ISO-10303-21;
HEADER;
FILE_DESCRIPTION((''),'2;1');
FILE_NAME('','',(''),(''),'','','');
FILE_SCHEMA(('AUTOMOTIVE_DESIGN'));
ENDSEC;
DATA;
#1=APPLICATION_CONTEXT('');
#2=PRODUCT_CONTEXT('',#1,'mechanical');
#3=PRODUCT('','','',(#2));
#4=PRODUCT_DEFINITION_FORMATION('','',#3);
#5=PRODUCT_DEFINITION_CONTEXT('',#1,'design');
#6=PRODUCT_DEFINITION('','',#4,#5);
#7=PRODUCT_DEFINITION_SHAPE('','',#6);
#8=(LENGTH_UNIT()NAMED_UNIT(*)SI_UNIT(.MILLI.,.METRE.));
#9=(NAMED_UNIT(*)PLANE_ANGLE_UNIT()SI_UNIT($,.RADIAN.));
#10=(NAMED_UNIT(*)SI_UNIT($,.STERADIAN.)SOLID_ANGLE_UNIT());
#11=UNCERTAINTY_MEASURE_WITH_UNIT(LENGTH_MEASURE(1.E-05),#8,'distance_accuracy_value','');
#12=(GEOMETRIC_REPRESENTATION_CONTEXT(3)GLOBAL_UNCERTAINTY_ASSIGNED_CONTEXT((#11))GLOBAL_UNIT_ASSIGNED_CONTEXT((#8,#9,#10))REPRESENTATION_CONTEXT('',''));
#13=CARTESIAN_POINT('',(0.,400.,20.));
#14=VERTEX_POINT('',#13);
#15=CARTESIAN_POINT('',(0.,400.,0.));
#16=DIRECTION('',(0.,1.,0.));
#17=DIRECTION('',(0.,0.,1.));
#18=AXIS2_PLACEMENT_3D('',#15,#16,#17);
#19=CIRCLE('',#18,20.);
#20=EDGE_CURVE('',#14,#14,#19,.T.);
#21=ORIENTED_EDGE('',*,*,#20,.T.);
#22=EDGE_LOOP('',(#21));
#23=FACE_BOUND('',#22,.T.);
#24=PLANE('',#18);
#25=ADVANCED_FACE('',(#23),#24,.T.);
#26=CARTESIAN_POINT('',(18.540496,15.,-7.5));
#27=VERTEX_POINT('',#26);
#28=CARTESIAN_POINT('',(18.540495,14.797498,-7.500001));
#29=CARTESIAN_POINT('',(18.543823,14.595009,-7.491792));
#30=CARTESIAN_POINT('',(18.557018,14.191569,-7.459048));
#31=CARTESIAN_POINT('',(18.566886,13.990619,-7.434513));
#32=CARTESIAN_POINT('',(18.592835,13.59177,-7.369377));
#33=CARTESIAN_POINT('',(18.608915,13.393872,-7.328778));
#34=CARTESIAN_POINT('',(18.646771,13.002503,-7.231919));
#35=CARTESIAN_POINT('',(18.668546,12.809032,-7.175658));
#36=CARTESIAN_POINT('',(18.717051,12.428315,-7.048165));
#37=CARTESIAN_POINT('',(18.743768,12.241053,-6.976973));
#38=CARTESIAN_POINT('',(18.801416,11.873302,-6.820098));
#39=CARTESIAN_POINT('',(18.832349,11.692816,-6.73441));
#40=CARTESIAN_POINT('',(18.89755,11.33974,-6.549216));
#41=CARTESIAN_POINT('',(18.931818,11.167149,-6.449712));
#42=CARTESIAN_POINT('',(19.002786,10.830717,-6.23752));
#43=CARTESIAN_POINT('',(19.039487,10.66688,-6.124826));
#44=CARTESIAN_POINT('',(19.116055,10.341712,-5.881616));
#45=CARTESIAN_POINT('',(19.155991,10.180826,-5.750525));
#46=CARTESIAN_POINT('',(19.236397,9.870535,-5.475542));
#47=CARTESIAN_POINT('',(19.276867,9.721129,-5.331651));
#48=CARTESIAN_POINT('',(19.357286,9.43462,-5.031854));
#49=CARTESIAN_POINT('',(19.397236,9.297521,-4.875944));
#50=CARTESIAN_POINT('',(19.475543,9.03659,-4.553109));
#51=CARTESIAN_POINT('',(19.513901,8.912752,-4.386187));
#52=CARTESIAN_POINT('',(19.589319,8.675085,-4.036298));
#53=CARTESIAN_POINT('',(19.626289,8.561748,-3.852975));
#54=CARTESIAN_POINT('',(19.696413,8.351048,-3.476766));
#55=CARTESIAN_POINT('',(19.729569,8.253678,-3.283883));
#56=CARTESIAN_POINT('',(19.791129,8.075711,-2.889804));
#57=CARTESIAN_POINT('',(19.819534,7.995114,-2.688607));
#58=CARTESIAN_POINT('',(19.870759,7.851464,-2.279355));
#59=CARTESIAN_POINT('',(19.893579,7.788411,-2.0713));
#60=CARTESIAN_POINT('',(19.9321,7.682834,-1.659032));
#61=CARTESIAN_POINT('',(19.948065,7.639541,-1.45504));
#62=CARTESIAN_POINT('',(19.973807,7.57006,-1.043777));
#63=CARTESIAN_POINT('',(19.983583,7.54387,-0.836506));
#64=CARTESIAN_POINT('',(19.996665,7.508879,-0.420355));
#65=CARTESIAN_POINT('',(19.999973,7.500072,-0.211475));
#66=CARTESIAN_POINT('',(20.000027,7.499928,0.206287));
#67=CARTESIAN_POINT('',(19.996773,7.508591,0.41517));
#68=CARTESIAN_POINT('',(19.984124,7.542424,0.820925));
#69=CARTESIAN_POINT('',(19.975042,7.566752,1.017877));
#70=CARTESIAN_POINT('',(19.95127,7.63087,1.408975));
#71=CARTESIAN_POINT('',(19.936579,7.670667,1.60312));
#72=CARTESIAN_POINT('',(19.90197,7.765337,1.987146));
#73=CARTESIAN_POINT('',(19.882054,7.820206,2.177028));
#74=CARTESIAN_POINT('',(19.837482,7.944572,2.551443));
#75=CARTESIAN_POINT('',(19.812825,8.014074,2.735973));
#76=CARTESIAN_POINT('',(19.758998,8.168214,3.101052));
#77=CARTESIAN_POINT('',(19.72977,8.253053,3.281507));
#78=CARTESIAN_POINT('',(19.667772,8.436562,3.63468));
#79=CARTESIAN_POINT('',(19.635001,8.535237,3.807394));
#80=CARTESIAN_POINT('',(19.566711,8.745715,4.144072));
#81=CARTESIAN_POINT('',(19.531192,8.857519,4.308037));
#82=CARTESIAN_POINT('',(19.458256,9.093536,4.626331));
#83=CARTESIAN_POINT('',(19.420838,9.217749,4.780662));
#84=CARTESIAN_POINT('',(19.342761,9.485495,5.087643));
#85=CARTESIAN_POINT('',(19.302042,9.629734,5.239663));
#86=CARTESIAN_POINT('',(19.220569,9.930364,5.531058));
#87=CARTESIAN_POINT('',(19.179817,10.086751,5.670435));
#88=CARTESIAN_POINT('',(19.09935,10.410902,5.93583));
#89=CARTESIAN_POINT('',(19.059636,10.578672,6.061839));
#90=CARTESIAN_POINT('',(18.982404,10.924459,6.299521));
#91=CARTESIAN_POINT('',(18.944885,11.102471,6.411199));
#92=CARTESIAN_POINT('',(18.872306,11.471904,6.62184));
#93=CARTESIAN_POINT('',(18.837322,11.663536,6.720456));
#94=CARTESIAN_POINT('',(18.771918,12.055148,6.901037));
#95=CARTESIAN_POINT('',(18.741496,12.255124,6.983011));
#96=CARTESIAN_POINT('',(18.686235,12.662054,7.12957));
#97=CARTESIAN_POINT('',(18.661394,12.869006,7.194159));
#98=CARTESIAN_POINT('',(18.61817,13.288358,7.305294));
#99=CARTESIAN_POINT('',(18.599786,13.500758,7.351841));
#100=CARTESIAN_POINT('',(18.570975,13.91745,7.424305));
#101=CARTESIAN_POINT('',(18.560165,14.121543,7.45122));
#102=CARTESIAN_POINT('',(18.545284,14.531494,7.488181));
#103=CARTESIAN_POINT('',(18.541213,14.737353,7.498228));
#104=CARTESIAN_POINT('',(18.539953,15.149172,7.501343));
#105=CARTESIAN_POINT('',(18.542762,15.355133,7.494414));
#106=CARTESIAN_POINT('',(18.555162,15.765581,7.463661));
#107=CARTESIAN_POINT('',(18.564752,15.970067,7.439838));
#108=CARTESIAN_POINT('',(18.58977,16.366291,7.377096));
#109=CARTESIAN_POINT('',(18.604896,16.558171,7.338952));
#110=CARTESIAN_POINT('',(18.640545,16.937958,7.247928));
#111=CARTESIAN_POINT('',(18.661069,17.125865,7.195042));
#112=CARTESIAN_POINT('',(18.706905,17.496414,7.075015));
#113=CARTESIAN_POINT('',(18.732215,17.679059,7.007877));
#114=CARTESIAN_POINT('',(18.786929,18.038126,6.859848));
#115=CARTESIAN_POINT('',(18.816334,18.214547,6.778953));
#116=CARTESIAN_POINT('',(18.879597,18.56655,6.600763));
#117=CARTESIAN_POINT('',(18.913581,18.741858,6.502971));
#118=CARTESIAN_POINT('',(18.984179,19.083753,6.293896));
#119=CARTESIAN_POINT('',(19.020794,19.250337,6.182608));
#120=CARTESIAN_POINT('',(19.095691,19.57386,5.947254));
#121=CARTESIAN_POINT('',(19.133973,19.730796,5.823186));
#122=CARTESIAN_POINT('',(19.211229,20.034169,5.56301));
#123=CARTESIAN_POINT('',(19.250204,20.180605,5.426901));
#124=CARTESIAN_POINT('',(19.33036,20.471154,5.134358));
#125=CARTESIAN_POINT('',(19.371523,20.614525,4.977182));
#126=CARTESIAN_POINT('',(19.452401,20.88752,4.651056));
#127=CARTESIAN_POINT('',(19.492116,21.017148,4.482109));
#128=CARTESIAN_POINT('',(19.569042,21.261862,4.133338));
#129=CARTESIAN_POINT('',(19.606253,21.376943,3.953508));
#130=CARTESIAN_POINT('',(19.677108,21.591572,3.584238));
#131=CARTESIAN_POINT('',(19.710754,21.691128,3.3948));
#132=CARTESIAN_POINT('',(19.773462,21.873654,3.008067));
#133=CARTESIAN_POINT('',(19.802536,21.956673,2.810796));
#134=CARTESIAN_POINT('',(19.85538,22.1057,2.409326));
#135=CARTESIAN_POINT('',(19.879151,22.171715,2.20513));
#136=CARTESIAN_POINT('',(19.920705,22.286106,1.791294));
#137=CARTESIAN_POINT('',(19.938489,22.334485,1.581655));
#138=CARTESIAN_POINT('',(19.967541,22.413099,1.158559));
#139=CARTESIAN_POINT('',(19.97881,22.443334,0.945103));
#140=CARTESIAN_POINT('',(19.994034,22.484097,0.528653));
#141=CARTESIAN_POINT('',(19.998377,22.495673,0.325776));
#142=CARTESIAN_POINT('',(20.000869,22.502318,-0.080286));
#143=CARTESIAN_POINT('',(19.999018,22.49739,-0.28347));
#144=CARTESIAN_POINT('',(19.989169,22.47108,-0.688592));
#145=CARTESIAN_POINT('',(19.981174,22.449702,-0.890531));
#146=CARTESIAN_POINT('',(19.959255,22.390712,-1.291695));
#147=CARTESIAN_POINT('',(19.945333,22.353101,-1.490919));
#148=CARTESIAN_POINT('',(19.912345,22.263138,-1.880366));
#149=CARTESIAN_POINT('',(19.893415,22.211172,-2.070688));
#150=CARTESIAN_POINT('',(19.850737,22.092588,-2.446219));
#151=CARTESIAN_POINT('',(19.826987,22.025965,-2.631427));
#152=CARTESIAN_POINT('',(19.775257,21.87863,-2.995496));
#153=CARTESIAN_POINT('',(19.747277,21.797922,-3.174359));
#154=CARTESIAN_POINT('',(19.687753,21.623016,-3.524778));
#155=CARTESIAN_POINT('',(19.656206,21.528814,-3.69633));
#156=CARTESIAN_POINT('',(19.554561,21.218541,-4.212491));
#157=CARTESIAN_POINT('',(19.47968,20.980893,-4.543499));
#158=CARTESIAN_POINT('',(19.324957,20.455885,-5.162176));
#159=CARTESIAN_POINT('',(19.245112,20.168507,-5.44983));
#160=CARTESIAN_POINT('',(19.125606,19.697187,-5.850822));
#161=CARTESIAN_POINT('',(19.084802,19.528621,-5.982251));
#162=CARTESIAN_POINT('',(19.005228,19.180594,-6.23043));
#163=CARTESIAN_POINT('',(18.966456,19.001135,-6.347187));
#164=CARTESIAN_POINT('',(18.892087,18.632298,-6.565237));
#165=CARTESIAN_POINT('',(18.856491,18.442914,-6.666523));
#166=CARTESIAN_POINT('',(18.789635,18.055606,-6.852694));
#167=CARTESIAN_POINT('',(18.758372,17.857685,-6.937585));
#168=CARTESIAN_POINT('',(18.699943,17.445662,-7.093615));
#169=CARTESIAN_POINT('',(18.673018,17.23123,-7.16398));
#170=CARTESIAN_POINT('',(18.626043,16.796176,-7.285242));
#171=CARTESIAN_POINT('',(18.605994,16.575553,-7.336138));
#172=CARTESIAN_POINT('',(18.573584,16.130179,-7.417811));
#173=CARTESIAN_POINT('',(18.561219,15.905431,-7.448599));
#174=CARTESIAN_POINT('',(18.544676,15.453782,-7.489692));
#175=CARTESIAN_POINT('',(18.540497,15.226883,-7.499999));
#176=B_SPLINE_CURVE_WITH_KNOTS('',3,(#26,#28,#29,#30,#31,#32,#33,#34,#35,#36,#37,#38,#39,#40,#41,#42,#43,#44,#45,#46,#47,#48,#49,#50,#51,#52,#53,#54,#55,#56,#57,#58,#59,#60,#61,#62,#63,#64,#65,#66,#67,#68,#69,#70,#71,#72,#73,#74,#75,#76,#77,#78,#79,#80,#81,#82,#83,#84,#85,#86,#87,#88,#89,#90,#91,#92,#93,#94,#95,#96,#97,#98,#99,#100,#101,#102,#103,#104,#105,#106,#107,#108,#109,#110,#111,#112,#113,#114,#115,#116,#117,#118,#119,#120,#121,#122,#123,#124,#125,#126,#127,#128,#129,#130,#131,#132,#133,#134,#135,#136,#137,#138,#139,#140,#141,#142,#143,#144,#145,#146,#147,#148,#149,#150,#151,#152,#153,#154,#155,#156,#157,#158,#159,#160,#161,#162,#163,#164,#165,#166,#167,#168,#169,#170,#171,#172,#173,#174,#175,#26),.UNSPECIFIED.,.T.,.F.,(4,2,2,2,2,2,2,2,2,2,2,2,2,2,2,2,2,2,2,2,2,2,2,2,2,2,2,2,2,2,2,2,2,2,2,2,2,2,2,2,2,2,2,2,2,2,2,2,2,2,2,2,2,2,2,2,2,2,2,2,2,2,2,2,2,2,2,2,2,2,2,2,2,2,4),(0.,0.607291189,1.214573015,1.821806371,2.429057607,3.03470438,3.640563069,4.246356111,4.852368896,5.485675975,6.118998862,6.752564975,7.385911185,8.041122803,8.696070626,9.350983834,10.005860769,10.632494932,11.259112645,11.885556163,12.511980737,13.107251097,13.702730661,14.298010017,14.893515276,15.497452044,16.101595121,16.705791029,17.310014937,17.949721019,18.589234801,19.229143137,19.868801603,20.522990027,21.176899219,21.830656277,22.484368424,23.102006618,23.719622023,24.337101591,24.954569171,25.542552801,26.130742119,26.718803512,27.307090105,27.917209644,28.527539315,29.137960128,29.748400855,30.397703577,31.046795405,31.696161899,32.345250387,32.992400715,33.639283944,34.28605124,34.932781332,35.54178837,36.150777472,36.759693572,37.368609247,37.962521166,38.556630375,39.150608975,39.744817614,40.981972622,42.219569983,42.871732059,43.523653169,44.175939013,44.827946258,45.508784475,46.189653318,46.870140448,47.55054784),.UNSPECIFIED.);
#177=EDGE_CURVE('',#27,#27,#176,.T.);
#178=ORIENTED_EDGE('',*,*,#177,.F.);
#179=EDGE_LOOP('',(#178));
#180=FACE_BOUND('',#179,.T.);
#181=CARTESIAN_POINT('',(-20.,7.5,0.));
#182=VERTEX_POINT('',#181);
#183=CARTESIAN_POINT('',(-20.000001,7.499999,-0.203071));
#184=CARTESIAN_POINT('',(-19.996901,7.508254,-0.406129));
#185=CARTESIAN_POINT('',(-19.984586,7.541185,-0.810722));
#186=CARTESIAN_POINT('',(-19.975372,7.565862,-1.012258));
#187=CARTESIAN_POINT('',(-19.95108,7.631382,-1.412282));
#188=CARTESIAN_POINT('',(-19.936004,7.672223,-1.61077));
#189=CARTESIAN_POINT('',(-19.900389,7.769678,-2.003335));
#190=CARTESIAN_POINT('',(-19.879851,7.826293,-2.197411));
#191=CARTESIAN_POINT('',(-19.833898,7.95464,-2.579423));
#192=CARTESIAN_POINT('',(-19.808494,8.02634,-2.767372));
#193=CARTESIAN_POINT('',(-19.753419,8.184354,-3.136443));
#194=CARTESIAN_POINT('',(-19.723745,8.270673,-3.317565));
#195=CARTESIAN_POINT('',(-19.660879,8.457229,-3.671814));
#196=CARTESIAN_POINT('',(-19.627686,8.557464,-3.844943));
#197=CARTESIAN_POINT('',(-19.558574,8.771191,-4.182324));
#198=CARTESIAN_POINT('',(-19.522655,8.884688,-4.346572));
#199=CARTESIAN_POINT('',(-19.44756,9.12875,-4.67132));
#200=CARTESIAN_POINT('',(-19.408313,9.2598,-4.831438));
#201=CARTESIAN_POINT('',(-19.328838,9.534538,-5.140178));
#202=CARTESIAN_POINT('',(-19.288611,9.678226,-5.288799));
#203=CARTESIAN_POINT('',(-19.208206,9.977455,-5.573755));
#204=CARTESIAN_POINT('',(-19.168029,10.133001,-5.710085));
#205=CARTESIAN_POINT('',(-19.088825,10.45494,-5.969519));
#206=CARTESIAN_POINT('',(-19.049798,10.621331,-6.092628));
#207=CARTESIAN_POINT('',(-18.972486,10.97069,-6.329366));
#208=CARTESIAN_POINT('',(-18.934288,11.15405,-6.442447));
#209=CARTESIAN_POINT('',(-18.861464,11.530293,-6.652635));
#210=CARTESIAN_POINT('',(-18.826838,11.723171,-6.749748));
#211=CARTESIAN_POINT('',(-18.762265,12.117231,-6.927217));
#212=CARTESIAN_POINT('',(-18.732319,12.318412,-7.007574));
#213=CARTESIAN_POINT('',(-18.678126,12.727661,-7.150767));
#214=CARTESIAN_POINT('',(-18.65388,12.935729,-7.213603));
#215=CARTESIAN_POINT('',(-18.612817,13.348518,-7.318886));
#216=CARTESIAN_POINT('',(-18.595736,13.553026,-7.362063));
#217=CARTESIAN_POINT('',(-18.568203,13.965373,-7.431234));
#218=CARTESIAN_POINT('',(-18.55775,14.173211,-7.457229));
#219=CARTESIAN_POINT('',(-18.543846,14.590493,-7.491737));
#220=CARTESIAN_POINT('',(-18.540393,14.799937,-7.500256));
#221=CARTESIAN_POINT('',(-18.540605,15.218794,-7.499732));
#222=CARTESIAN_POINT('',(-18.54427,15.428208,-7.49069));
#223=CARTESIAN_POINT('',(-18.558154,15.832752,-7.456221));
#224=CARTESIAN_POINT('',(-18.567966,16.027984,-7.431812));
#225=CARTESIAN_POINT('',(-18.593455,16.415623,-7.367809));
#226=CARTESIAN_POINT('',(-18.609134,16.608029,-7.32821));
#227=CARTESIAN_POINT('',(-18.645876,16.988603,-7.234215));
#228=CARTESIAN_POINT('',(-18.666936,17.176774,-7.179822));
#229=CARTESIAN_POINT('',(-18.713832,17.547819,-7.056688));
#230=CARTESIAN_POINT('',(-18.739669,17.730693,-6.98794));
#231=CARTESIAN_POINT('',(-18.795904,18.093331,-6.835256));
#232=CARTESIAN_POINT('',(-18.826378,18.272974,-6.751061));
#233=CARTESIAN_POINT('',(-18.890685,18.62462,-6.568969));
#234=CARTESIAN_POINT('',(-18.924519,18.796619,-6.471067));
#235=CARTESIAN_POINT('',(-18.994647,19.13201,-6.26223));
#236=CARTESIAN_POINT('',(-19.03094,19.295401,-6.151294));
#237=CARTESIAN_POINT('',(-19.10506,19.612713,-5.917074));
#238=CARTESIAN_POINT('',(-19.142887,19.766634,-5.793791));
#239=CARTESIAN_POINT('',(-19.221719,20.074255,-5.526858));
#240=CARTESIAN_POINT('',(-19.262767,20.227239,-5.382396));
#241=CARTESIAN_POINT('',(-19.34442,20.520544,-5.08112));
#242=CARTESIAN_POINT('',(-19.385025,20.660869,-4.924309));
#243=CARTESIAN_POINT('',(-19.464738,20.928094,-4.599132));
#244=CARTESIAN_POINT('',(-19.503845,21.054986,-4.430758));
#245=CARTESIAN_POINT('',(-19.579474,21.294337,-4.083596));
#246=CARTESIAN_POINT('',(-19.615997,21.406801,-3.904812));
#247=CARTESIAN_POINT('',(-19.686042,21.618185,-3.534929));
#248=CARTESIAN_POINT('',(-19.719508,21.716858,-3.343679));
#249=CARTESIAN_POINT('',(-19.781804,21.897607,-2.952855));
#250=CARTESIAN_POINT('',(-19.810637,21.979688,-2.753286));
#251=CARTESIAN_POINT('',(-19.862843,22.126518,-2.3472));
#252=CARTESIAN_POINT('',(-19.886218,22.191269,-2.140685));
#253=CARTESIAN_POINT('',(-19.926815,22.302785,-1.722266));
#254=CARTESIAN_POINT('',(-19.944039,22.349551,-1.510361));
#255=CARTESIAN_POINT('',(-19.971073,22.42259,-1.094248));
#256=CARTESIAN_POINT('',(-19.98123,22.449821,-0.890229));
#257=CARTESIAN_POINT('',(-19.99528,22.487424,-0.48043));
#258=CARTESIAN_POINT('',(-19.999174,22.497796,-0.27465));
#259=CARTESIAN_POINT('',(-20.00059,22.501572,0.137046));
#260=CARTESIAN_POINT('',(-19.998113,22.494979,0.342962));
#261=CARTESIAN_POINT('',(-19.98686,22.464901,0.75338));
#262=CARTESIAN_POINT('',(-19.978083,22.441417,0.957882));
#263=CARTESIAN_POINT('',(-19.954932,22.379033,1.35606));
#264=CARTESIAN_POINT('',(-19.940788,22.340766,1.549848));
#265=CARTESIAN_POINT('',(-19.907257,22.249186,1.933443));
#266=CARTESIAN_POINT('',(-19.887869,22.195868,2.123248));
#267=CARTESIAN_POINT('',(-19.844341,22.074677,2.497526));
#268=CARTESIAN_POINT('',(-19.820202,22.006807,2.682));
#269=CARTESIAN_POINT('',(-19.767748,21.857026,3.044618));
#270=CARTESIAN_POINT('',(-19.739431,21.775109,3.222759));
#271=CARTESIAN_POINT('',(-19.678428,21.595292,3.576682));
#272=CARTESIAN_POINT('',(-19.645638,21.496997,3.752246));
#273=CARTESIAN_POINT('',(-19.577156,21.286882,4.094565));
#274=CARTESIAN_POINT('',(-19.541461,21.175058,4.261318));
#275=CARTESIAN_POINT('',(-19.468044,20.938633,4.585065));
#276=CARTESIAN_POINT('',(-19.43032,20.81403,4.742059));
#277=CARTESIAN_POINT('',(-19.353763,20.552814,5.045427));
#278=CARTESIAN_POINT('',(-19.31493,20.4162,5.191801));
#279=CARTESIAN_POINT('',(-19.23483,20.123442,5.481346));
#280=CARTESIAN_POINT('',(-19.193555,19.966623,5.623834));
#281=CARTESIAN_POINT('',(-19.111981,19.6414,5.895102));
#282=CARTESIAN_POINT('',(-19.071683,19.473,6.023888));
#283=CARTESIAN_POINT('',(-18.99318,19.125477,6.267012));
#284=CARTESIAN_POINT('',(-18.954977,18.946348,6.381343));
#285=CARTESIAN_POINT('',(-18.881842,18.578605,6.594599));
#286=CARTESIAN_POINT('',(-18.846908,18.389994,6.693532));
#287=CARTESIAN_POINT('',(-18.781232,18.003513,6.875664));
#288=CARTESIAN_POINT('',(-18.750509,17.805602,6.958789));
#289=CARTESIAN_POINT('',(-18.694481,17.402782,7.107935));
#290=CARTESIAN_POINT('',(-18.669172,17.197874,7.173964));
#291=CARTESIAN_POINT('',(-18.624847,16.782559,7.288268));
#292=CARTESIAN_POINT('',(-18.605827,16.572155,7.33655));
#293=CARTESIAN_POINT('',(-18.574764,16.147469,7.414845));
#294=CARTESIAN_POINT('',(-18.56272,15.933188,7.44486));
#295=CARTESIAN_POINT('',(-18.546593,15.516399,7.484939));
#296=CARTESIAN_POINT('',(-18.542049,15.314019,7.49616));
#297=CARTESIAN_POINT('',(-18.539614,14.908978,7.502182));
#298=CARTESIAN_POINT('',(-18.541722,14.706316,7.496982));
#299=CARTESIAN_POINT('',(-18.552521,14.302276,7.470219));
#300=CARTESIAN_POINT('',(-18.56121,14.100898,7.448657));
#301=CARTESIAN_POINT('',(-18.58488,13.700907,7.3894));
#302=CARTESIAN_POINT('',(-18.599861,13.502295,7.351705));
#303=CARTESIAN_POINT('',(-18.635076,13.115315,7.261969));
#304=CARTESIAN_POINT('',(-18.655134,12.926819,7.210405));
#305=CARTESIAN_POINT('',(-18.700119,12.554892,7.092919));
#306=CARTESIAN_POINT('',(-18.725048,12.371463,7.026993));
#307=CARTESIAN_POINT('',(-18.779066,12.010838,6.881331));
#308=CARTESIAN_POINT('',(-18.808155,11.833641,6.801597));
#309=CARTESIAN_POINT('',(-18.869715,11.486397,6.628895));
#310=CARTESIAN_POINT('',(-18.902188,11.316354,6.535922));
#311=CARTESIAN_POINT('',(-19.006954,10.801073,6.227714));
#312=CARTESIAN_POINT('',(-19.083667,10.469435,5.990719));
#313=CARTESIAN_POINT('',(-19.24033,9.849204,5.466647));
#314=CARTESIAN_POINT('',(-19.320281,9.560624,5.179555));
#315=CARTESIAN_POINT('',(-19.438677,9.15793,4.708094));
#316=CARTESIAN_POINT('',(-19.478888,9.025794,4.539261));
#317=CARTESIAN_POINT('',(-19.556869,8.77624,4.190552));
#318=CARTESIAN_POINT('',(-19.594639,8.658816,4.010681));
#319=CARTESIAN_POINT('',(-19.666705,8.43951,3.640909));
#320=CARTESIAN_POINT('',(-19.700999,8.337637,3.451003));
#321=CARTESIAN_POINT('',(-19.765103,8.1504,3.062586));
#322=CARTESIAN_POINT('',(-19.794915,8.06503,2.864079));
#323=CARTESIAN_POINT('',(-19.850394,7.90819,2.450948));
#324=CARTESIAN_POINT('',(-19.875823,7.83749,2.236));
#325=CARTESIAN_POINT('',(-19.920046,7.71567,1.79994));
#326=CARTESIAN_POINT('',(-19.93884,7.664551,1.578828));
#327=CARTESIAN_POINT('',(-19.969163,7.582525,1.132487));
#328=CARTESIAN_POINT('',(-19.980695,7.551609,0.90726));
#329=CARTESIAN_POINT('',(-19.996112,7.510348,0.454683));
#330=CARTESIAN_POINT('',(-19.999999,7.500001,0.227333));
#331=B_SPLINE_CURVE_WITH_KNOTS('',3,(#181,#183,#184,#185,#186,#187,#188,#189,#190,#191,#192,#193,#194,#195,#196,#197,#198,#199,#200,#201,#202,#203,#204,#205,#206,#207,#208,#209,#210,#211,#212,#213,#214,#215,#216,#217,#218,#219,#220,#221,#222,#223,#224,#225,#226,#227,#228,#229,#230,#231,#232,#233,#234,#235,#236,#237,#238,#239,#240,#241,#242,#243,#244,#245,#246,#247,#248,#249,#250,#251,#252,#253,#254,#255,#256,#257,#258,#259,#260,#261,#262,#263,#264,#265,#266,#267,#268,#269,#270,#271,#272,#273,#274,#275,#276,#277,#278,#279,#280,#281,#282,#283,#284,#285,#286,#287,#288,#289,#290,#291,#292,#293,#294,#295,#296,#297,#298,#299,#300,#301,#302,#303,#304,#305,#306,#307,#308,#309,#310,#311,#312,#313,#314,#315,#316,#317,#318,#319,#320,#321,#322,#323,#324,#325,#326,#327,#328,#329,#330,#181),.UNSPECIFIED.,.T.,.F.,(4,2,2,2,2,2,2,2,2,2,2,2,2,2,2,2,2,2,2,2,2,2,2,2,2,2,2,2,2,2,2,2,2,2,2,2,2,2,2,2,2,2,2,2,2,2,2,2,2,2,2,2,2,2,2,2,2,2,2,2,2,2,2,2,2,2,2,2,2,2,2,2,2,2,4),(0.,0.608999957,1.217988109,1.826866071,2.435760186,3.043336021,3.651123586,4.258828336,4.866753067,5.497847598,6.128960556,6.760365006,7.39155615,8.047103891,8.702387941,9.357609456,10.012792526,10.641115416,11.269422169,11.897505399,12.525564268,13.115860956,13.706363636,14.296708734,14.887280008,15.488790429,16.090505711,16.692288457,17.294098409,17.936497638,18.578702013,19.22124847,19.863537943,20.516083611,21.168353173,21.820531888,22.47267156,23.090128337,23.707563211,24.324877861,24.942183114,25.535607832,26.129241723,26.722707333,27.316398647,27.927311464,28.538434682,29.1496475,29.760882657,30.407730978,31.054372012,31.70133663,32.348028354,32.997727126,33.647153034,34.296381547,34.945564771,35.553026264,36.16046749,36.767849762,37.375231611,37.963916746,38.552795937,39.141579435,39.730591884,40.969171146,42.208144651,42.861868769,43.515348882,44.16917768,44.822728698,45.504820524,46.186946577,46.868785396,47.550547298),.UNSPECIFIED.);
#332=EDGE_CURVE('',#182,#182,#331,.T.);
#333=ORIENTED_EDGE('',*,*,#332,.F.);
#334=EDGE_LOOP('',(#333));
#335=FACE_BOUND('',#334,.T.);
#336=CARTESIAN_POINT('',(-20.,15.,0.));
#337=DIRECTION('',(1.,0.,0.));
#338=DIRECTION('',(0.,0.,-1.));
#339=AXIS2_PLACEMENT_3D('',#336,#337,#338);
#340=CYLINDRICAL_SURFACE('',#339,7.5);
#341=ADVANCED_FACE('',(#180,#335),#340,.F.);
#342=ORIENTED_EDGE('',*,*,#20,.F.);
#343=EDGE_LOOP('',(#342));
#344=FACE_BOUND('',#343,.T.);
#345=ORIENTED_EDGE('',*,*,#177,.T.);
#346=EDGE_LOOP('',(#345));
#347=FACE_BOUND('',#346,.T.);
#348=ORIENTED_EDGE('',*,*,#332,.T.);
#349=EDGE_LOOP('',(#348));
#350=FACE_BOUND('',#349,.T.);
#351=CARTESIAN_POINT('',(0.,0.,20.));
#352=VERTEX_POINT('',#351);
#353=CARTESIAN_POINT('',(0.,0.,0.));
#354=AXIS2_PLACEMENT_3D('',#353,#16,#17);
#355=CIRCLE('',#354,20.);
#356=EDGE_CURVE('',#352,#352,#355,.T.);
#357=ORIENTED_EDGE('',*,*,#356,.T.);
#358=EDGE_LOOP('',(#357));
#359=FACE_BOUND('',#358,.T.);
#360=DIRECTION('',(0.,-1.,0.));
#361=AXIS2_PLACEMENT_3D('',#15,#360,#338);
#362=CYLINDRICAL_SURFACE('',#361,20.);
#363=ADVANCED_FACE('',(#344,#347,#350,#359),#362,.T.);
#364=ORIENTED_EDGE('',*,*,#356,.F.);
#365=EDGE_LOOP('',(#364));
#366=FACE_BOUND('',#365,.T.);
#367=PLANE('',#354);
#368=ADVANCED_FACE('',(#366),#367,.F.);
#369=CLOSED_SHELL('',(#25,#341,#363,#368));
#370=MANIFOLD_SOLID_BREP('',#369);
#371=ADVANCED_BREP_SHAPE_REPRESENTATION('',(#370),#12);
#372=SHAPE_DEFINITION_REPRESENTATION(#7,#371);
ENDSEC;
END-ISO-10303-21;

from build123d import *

# Parameters (mm, degrees)
SKETCH1_R               = 20
BOSS_EXTRUDE1_DEPTH     = 400
SKETCH2_R               = 7.5
CUT_EXTRUDE1_DEPTH      = 21
CUT_EXTRUDE1_DEPTH_BACK = 21


with BuildPart() as part:
    # Sketch1 → Boss-Extrude1 (new body)
    with BuildSketch(Plane(origin=(0, 0, 0), x_dir=(1, 0, 0), z_dir=(0, 1, 0))):
        Circle(SKETCH1_R)
    extrude(amount=BOSS_EXTRUDE1_DEPTH)

    # Sketch2 → Cut-Extrude1 (cut, two sides)
    with BuildSketch(Plane(origin=(0, 0, 0), x_dir=(0, 0, -1), z_dir=(1, 0, 0))) as cut_extrude1_sk:
        with Locations((0, 15)):
            Circle(SKETCH2_R)
    extrude(amount=CUT_EXTRUDE1_DEPTH, mode=Mode.SUBTRACT)
    extrude(cut_extrude1_sk.sketch, amount=-CUT_EXTRUDE1_DEPTH_BACK, mode=Mode.SUBTRACT)


solid = part.part
